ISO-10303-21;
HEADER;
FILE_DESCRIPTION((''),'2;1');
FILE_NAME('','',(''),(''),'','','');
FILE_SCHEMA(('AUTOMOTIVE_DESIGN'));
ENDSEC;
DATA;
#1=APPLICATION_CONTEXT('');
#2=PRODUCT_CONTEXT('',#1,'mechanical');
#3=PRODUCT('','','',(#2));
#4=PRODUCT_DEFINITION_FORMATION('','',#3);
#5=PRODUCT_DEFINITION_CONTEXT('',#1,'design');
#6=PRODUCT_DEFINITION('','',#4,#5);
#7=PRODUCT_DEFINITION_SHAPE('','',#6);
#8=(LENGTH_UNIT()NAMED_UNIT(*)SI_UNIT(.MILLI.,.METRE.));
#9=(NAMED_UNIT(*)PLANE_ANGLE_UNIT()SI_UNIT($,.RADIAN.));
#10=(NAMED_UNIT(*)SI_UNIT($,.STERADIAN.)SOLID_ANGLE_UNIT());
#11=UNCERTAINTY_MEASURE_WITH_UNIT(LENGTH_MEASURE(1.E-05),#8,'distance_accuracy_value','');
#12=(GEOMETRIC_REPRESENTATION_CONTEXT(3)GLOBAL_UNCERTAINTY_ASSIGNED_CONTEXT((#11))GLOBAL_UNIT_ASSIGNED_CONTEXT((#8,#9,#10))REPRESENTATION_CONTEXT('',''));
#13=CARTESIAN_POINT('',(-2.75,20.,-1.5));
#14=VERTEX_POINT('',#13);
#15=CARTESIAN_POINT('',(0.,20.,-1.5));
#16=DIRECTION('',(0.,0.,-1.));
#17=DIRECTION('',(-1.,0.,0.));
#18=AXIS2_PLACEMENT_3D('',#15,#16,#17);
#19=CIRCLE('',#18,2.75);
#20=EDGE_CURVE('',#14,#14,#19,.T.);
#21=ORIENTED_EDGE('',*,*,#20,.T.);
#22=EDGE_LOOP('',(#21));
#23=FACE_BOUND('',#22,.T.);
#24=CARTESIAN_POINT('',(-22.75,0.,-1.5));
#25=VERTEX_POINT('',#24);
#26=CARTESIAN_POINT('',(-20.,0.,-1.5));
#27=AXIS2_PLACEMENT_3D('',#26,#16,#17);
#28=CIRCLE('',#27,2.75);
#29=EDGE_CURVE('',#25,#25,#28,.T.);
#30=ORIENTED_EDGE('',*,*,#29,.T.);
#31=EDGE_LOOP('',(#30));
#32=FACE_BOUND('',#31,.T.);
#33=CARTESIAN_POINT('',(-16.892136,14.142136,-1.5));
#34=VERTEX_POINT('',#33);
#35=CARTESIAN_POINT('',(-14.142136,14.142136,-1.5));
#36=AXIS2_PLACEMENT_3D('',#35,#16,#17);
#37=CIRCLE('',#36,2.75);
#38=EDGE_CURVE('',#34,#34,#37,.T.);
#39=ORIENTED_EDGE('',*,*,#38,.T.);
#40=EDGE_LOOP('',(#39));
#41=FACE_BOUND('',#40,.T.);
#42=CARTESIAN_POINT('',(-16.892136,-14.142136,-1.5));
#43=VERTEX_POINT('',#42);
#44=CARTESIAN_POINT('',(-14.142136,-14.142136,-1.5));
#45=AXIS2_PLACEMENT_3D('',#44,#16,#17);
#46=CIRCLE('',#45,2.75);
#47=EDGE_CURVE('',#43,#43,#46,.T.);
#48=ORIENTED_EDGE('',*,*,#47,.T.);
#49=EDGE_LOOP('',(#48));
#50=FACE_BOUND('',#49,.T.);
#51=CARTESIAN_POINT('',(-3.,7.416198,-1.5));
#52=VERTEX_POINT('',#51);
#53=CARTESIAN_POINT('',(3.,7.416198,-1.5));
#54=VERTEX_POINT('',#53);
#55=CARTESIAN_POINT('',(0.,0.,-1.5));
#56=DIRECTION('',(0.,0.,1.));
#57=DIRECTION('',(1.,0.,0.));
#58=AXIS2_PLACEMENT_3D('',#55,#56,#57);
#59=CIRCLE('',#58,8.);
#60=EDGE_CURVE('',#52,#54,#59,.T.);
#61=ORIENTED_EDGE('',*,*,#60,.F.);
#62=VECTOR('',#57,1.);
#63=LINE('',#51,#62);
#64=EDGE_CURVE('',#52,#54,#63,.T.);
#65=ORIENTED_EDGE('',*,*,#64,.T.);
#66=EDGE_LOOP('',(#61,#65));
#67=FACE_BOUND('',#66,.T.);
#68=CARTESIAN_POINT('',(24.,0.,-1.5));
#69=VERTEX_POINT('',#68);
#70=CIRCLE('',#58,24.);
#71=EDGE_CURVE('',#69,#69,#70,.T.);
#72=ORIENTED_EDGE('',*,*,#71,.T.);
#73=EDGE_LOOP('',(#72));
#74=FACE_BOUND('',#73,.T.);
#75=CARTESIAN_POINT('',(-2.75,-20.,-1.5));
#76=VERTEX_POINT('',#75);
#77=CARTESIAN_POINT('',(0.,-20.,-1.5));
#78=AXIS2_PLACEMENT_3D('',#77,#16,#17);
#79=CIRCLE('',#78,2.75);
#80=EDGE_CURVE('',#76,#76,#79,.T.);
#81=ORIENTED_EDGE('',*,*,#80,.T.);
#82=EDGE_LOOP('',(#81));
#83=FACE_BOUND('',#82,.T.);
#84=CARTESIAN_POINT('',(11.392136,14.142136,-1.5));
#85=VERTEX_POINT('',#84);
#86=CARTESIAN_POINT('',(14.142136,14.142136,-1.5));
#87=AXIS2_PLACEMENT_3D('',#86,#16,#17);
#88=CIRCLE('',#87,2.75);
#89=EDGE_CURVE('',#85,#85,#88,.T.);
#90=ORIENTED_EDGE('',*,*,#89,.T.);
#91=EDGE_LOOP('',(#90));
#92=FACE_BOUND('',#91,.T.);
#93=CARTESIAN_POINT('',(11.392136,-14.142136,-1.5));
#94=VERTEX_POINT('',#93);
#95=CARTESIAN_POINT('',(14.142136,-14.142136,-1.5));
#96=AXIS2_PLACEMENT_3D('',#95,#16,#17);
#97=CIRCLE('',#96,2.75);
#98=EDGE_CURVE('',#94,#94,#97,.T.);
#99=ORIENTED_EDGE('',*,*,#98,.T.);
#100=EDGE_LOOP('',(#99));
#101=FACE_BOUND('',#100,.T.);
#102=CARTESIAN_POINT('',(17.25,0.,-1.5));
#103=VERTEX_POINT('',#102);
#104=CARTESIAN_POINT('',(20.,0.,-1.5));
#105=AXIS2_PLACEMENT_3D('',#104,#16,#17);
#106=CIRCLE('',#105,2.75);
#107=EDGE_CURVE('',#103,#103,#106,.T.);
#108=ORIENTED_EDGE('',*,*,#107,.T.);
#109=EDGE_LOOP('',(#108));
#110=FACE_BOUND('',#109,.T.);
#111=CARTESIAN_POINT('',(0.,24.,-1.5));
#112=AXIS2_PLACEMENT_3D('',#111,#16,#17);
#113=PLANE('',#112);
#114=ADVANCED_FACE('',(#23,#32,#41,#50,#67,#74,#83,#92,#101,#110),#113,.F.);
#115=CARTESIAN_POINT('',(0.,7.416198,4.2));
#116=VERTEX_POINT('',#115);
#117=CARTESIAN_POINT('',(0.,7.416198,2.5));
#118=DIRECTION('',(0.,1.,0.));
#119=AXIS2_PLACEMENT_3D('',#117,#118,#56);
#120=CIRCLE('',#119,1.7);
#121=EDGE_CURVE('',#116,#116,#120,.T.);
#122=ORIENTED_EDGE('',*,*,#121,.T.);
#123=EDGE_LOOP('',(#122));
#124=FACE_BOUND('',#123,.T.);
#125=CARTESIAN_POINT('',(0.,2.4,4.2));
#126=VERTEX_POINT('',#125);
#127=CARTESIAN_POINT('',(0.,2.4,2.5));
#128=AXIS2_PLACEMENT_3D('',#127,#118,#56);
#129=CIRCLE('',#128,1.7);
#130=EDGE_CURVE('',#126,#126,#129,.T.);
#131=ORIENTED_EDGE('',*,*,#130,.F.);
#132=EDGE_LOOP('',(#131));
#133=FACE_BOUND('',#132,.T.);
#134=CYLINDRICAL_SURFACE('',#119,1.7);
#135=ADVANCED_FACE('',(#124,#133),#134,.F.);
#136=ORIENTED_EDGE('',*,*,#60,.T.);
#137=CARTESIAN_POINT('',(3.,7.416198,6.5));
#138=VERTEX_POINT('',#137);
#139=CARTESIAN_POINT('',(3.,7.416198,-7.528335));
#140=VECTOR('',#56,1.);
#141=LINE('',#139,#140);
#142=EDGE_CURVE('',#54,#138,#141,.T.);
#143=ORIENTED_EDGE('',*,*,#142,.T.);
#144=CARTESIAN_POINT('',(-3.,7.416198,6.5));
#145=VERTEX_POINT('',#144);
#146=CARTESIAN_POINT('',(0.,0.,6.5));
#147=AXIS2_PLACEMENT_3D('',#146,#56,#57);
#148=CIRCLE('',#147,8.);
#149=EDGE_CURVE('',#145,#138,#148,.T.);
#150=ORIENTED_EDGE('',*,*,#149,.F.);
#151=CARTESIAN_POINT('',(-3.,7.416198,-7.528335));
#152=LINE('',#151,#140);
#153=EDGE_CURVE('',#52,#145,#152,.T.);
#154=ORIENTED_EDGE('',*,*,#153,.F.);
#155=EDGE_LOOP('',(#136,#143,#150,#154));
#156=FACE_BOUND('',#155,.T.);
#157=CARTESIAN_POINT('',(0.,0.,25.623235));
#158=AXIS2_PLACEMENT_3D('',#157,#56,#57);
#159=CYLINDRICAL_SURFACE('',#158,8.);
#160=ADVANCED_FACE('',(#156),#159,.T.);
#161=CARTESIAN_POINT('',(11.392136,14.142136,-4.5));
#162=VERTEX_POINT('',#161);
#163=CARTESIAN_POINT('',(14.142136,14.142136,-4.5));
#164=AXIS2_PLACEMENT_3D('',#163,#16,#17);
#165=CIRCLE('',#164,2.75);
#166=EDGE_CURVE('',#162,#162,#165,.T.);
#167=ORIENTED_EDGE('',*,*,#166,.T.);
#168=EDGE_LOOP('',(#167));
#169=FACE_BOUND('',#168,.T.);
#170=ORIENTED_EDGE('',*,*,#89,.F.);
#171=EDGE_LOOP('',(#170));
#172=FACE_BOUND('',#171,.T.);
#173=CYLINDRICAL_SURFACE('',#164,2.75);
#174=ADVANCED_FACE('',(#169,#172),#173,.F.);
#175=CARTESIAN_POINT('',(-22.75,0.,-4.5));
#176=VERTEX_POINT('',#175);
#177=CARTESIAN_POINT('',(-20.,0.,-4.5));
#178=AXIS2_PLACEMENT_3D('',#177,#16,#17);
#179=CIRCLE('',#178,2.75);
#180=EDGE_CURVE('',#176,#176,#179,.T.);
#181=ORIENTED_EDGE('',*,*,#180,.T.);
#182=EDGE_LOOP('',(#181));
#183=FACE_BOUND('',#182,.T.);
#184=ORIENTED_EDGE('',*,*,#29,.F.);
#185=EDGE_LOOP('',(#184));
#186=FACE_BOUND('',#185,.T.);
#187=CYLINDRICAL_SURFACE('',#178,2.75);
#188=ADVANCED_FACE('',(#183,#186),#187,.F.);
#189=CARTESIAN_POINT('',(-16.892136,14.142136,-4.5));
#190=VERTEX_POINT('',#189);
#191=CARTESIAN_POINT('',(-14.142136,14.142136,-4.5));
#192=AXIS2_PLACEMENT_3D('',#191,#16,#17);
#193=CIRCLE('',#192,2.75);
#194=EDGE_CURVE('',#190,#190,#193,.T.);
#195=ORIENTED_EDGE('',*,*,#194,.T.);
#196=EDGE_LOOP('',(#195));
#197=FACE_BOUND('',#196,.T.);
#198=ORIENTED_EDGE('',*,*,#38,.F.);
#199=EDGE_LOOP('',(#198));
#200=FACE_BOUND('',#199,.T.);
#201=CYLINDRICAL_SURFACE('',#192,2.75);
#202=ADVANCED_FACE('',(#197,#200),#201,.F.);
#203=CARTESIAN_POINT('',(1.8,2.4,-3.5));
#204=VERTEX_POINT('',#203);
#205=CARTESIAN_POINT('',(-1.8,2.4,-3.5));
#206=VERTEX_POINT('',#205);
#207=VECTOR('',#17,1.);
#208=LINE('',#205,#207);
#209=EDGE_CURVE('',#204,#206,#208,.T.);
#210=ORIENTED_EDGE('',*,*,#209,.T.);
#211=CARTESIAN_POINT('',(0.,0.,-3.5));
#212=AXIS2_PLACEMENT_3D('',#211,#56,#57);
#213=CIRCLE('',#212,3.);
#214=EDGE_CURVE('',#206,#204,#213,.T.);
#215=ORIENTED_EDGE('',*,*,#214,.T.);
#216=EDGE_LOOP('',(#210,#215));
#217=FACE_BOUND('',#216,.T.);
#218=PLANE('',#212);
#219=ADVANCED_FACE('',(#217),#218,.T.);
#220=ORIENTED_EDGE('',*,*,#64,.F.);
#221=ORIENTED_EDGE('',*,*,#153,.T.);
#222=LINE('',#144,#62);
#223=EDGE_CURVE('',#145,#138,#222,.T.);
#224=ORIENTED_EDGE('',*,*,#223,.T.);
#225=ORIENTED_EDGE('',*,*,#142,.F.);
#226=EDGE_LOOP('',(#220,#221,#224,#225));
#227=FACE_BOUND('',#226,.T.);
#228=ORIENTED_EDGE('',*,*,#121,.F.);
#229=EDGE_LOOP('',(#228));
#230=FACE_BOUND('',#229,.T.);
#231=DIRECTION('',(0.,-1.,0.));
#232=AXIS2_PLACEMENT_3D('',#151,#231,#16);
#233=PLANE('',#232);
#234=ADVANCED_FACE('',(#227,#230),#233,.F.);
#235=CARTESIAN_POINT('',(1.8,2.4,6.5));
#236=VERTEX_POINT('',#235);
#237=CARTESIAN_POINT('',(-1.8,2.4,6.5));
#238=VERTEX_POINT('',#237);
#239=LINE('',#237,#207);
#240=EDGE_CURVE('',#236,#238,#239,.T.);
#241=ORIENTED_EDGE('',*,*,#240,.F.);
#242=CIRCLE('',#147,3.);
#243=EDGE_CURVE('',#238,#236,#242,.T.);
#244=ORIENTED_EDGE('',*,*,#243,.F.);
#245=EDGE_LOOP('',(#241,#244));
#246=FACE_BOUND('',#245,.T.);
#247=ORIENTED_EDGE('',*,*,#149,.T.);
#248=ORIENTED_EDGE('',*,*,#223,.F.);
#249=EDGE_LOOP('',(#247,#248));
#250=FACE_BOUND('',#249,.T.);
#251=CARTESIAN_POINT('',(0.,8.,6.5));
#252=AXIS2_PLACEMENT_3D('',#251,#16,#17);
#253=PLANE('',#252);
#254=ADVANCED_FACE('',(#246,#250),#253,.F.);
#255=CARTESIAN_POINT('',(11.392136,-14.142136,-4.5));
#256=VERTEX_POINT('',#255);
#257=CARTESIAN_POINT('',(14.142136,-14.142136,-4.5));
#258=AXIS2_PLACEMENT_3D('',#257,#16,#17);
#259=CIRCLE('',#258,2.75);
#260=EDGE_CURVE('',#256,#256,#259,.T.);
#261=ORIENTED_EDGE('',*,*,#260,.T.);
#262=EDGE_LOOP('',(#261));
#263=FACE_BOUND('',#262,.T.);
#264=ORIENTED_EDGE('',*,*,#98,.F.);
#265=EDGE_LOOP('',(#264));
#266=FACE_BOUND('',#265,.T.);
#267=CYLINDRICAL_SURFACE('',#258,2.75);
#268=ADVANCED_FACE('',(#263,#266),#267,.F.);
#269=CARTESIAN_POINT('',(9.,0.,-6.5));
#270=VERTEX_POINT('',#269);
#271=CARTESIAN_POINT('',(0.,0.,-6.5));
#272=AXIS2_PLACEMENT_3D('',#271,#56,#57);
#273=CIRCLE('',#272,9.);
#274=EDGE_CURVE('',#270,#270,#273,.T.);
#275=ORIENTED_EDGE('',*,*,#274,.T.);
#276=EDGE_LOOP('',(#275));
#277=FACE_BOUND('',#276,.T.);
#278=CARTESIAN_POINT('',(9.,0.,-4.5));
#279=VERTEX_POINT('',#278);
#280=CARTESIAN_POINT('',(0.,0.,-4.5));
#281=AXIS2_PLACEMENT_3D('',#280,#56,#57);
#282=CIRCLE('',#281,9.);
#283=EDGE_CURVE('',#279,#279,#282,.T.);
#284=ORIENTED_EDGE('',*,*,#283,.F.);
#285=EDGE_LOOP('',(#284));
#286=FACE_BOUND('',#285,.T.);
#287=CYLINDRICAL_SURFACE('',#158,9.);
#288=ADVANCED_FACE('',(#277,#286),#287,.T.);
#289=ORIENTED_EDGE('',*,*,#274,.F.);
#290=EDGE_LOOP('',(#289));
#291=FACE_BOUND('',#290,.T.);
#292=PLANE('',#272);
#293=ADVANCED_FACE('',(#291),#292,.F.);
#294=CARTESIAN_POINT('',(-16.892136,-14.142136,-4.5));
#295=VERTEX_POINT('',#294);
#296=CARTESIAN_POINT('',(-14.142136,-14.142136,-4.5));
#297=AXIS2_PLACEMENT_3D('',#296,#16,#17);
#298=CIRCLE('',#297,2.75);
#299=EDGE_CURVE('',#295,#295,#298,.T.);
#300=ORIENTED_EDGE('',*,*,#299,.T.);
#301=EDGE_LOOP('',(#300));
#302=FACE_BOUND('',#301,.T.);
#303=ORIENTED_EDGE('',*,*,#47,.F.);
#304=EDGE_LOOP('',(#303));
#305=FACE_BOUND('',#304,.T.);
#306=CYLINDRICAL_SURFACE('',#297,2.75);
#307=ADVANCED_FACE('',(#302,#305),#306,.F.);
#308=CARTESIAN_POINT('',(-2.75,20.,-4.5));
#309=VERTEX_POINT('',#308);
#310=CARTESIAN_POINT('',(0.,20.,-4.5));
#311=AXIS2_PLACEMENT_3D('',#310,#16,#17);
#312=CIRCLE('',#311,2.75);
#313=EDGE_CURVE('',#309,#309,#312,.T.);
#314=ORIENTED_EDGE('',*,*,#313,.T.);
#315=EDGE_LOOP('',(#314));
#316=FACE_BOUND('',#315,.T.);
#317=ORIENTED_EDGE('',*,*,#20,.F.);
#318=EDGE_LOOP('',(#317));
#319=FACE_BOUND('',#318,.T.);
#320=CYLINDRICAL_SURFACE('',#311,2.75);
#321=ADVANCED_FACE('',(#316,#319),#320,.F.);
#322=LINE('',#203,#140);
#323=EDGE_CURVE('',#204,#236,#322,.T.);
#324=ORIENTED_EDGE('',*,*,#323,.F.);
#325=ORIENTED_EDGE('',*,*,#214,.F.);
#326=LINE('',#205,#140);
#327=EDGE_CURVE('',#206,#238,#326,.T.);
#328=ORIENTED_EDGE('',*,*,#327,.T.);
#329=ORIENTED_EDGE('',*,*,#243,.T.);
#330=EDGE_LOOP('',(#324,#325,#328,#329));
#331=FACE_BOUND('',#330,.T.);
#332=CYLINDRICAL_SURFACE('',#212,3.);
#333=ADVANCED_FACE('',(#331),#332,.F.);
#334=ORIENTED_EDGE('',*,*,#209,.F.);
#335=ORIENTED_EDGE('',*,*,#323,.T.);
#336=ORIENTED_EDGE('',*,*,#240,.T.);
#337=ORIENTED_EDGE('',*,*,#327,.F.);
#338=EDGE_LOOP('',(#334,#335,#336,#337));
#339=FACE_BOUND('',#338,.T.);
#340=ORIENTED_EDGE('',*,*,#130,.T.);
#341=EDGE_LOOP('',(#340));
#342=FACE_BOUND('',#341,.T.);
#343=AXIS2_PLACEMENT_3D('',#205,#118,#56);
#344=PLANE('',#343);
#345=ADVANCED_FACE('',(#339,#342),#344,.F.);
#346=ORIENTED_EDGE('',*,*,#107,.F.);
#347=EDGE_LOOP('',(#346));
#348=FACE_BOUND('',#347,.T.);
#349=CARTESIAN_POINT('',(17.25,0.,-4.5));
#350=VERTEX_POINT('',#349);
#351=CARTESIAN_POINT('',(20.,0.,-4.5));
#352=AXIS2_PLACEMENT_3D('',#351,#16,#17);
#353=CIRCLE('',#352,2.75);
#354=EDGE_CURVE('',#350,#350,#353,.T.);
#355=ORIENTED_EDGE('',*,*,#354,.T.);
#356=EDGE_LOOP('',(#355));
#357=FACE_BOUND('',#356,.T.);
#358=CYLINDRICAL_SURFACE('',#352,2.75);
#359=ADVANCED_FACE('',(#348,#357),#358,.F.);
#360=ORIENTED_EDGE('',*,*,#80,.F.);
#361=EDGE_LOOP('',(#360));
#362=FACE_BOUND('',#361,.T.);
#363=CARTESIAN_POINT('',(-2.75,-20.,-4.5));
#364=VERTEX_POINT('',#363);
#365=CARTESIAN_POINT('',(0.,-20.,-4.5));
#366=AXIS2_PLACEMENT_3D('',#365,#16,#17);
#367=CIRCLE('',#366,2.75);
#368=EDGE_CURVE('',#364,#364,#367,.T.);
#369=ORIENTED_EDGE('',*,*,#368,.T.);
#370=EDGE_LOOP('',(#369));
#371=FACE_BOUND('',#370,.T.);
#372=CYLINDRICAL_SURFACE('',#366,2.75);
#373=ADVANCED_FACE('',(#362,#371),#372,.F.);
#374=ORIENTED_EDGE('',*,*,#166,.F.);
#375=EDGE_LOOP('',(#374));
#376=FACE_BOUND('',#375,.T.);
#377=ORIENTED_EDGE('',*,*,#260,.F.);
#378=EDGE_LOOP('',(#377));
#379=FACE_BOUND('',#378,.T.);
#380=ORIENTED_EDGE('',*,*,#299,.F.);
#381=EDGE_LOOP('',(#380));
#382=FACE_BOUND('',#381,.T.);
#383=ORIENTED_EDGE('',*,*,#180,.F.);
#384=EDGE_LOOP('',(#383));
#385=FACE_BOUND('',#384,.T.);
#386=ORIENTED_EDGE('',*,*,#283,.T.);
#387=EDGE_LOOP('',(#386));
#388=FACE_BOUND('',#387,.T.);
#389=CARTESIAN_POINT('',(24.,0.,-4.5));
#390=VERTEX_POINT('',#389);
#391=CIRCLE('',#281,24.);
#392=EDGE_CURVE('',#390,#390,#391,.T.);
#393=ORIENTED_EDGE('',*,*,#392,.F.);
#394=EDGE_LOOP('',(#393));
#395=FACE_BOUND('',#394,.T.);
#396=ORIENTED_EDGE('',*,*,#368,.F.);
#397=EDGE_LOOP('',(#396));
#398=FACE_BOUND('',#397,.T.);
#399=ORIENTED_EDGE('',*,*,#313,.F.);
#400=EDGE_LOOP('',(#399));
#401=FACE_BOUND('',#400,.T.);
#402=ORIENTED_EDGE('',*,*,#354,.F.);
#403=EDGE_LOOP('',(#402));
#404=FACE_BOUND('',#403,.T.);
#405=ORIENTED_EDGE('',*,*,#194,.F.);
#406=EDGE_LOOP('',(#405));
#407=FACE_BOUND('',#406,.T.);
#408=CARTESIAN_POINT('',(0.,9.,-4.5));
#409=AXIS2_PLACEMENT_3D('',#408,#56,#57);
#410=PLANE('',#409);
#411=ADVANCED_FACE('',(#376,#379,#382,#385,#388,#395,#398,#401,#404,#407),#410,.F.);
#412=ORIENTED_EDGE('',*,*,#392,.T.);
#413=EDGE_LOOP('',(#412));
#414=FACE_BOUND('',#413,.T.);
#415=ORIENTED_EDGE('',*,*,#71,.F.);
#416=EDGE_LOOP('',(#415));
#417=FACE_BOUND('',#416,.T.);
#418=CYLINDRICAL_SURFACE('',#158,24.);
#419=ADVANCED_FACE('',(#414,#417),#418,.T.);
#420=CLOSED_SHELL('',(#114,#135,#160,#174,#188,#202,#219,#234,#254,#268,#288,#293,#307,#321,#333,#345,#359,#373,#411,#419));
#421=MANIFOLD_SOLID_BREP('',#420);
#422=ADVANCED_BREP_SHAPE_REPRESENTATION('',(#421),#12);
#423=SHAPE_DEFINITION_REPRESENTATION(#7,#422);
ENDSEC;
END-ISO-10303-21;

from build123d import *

# Parameters (mm, degrees)
CORTAR_EXTRUIR1_DEPTH            = 10
TALADRO_DE_MARGEN_PARA_M51_D     = 5.5
CORTAR_EXTRUIR2_DEPTH            = 8
TALADRO_DE_MARGEN_PARA_M31_D     = 3.4
TALADRO_DE_MARGEN_PARA_M31_DEPTH = 5.016198487


with BuildPart() as part:
    # Croquis1 → Revolución1 (revolve)
    with BuildSketch(Plane(origin=(0, 0, 0), x_dir=(0, 0, -1), z_dir=(1, 0, 0)), mode=Mode.PRIVATE) as revoluci_n1_sk:
        Polygon((-6.5, 0), (6.5, 0), (6.5, 9), (4.5, 9), (4.5, 24), (1.5, 24), (1.5, 8), (-6.5, 8), align=None)
    revolve(revoluci_n1_sk.sketch.rotate(Axis((0, 0, 25.623234534), (0, 0, -1)), 90), axis=Axis((0, 0, 25.623234534), (0, 0, -1)))

    # Croquis2 → Cortar-Extruir1 (cut)
    with BuildSketch(Plane.XY.offset(6.5)):
        with BuildLine():
            Line((-1.8, 2.4), (1.8, 2.4))
            ThreePointArc((1.8, 2.4), (0, -3), (-1.8, 2.4))
        make_face()
    extrude(amount=-CORTAR_EXTRUIR1_DEPTH, mode=Mode.SUBTRACT)

    # Taladro de margen para M51 (through all)
    with Locations(Plane(origin=(0, 20, -4.5), x_dir=(-1, 0, 0), z_dir=(0, 0, -1))):
        with Locations((0, 0), (14.142135624, -5.857864376), (20, -20), (14.142135624, -34.142135624), (0, -40), (-14.142135624, -34.142135624), (-20, -20), (-14.142135624, -5.857864376)):
            Hole(TALADRO_DE_MARGEN_PARA_M51_D / 2)

    # Croquis10 → Cortar-Extruir2 (cut)
    with BuildSketch(Plane.XY.offset(6.5)):
        with BuildLine():
            Line((-3, 7.416198487), (3, 7.416198487))
            ThreePointArc((3, 7.416198487), (0, 8), (-3, 7.416198487))
        make_face()
    extrude(amount=-CORTAR_EXTRUIR2_DEPTH, mode=Mode.SUBTRACT)

    # Taladro de margen para M31
    with Locations(Plane(origin=(0, 7.416198487, 2.5), x_dir=(0, 0, 1), z_dir=(0, 1, 0))):
        with Locations((0, 0)):
            Hole(TALADRO_DE_MARGEN_PARA_M31_D / 2, depth=TALADRO_DE_MARGEN_PARA_M31_DEPTH)


solid = part.part
